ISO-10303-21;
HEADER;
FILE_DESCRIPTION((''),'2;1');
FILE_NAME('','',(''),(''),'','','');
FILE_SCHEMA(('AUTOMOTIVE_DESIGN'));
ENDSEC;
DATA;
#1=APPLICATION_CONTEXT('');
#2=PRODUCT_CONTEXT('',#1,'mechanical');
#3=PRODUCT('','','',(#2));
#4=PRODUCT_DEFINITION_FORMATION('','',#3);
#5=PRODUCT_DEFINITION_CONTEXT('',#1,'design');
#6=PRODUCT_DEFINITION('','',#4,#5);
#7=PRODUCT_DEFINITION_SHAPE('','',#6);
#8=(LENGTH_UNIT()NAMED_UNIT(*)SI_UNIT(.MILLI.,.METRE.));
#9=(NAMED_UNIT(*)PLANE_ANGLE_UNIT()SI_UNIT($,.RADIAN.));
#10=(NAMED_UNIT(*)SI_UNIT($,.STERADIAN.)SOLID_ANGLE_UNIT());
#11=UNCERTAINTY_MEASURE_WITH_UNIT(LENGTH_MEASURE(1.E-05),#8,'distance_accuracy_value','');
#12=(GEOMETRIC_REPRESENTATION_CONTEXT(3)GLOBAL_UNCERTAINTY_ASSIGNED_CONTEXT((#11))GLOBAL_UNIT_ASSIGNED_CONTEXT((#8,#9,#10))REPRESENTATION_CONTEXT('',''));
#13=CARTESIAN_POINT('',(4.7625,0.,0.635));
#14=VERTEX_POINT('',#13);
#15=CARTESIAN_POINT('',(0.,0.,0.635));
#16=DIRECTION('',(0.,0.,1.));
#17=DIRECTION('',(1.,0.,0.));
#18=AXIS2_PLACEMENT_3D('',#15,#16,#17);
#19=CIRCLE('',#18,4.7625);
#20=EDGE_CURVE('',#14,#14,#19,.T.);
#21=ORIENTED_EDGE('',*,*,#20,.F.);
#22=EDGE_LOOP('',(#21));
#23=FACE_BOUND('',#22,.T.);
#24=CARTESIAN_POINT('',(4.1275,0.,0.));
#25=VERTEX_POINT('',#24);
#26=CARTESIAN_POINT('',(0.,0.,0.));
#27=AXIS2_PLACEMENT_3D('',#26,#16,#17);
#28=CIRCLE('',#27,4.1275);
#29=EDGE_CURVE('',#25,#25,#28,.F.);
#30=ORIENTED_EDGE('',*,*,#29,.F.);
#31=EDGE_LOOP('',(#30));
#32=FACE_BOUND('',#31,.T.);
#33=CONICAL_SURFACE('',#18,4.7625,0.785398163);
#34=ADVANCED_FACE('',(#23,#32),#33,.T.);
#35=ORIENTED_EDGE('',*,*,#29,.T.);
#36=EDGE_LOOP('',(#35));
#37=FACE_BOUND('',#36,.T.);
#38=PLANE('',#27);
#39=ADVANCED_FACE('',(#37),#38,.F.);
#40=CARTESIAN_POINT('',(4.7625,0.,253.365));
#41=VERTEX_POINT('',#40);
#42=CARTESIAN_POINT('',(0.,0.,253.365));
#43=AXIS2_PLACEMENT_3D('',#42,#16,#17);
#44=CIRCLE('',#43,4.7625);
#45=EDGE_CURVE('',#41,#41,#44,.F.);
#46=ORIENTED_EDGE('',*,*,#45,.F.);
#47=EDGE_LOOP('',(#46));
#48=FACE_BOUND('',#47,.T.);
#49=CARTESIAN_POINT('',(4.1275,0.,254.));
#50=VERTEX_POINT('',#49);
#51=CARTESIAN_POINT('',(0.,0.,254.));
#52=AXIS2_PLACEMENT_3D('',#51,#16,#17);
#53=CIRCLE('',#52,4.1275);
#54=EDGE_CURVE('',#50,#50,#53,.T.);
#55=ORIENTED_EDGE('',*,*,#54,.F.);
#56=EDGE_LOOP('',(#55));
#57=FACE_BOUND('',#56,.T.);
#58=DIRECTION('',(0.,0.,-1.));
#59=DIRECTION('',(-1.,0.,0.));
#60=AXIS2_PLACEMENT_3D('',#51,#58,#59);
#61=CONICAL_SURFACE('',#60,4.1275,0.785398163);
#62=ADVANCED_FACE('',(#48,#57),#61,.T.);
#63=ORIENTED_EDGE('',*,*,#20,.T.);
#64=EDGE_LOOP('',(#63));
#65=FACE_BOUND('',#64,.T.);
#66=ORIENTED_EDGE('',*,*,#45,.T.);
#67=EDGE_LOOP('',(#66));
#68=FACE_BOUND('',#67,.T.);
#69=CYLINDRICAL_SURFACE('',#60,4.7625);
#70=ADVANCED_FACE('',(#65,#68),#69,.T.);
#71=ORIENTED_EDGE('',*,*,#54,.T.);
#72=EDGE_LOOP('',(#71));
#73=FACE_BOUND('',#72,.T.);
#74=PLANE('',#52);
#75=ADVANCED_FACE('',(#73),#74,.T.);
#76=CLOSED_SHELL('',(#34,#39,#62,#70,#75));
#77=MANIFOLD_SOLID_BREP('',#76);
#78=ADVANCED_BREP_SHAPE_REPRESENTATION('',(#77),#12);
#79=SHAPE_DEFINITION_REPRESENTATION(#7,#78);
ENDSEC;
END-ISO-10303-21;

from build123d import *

# Parameters (mm, degrees)
SKETCH1_R           = 4.7625
BOSS_EXTRUDE1_DEPTH = 254
CHAMFER1_SIZE       = 0.635


with BuildPart() as part:
    # Sketch1 → Boss-Extrude1 (new body)
    with BuildSketch(Plane.XY):
        Circle(SKETCH1_R)
    extrude(amount=BOSS_EXTRUDE1_DEPTH)

    # Chamfer1
    chamfer1_edges = [part.edges().sort_by_distance(p)[0] for p in [
        (-4.7625, 0, 0),
        (-4.7625, 0, 254),
    ]]
    chamfer(chamfer1_edges, length=CHAMFER1_SIZE)


solid = part.part
